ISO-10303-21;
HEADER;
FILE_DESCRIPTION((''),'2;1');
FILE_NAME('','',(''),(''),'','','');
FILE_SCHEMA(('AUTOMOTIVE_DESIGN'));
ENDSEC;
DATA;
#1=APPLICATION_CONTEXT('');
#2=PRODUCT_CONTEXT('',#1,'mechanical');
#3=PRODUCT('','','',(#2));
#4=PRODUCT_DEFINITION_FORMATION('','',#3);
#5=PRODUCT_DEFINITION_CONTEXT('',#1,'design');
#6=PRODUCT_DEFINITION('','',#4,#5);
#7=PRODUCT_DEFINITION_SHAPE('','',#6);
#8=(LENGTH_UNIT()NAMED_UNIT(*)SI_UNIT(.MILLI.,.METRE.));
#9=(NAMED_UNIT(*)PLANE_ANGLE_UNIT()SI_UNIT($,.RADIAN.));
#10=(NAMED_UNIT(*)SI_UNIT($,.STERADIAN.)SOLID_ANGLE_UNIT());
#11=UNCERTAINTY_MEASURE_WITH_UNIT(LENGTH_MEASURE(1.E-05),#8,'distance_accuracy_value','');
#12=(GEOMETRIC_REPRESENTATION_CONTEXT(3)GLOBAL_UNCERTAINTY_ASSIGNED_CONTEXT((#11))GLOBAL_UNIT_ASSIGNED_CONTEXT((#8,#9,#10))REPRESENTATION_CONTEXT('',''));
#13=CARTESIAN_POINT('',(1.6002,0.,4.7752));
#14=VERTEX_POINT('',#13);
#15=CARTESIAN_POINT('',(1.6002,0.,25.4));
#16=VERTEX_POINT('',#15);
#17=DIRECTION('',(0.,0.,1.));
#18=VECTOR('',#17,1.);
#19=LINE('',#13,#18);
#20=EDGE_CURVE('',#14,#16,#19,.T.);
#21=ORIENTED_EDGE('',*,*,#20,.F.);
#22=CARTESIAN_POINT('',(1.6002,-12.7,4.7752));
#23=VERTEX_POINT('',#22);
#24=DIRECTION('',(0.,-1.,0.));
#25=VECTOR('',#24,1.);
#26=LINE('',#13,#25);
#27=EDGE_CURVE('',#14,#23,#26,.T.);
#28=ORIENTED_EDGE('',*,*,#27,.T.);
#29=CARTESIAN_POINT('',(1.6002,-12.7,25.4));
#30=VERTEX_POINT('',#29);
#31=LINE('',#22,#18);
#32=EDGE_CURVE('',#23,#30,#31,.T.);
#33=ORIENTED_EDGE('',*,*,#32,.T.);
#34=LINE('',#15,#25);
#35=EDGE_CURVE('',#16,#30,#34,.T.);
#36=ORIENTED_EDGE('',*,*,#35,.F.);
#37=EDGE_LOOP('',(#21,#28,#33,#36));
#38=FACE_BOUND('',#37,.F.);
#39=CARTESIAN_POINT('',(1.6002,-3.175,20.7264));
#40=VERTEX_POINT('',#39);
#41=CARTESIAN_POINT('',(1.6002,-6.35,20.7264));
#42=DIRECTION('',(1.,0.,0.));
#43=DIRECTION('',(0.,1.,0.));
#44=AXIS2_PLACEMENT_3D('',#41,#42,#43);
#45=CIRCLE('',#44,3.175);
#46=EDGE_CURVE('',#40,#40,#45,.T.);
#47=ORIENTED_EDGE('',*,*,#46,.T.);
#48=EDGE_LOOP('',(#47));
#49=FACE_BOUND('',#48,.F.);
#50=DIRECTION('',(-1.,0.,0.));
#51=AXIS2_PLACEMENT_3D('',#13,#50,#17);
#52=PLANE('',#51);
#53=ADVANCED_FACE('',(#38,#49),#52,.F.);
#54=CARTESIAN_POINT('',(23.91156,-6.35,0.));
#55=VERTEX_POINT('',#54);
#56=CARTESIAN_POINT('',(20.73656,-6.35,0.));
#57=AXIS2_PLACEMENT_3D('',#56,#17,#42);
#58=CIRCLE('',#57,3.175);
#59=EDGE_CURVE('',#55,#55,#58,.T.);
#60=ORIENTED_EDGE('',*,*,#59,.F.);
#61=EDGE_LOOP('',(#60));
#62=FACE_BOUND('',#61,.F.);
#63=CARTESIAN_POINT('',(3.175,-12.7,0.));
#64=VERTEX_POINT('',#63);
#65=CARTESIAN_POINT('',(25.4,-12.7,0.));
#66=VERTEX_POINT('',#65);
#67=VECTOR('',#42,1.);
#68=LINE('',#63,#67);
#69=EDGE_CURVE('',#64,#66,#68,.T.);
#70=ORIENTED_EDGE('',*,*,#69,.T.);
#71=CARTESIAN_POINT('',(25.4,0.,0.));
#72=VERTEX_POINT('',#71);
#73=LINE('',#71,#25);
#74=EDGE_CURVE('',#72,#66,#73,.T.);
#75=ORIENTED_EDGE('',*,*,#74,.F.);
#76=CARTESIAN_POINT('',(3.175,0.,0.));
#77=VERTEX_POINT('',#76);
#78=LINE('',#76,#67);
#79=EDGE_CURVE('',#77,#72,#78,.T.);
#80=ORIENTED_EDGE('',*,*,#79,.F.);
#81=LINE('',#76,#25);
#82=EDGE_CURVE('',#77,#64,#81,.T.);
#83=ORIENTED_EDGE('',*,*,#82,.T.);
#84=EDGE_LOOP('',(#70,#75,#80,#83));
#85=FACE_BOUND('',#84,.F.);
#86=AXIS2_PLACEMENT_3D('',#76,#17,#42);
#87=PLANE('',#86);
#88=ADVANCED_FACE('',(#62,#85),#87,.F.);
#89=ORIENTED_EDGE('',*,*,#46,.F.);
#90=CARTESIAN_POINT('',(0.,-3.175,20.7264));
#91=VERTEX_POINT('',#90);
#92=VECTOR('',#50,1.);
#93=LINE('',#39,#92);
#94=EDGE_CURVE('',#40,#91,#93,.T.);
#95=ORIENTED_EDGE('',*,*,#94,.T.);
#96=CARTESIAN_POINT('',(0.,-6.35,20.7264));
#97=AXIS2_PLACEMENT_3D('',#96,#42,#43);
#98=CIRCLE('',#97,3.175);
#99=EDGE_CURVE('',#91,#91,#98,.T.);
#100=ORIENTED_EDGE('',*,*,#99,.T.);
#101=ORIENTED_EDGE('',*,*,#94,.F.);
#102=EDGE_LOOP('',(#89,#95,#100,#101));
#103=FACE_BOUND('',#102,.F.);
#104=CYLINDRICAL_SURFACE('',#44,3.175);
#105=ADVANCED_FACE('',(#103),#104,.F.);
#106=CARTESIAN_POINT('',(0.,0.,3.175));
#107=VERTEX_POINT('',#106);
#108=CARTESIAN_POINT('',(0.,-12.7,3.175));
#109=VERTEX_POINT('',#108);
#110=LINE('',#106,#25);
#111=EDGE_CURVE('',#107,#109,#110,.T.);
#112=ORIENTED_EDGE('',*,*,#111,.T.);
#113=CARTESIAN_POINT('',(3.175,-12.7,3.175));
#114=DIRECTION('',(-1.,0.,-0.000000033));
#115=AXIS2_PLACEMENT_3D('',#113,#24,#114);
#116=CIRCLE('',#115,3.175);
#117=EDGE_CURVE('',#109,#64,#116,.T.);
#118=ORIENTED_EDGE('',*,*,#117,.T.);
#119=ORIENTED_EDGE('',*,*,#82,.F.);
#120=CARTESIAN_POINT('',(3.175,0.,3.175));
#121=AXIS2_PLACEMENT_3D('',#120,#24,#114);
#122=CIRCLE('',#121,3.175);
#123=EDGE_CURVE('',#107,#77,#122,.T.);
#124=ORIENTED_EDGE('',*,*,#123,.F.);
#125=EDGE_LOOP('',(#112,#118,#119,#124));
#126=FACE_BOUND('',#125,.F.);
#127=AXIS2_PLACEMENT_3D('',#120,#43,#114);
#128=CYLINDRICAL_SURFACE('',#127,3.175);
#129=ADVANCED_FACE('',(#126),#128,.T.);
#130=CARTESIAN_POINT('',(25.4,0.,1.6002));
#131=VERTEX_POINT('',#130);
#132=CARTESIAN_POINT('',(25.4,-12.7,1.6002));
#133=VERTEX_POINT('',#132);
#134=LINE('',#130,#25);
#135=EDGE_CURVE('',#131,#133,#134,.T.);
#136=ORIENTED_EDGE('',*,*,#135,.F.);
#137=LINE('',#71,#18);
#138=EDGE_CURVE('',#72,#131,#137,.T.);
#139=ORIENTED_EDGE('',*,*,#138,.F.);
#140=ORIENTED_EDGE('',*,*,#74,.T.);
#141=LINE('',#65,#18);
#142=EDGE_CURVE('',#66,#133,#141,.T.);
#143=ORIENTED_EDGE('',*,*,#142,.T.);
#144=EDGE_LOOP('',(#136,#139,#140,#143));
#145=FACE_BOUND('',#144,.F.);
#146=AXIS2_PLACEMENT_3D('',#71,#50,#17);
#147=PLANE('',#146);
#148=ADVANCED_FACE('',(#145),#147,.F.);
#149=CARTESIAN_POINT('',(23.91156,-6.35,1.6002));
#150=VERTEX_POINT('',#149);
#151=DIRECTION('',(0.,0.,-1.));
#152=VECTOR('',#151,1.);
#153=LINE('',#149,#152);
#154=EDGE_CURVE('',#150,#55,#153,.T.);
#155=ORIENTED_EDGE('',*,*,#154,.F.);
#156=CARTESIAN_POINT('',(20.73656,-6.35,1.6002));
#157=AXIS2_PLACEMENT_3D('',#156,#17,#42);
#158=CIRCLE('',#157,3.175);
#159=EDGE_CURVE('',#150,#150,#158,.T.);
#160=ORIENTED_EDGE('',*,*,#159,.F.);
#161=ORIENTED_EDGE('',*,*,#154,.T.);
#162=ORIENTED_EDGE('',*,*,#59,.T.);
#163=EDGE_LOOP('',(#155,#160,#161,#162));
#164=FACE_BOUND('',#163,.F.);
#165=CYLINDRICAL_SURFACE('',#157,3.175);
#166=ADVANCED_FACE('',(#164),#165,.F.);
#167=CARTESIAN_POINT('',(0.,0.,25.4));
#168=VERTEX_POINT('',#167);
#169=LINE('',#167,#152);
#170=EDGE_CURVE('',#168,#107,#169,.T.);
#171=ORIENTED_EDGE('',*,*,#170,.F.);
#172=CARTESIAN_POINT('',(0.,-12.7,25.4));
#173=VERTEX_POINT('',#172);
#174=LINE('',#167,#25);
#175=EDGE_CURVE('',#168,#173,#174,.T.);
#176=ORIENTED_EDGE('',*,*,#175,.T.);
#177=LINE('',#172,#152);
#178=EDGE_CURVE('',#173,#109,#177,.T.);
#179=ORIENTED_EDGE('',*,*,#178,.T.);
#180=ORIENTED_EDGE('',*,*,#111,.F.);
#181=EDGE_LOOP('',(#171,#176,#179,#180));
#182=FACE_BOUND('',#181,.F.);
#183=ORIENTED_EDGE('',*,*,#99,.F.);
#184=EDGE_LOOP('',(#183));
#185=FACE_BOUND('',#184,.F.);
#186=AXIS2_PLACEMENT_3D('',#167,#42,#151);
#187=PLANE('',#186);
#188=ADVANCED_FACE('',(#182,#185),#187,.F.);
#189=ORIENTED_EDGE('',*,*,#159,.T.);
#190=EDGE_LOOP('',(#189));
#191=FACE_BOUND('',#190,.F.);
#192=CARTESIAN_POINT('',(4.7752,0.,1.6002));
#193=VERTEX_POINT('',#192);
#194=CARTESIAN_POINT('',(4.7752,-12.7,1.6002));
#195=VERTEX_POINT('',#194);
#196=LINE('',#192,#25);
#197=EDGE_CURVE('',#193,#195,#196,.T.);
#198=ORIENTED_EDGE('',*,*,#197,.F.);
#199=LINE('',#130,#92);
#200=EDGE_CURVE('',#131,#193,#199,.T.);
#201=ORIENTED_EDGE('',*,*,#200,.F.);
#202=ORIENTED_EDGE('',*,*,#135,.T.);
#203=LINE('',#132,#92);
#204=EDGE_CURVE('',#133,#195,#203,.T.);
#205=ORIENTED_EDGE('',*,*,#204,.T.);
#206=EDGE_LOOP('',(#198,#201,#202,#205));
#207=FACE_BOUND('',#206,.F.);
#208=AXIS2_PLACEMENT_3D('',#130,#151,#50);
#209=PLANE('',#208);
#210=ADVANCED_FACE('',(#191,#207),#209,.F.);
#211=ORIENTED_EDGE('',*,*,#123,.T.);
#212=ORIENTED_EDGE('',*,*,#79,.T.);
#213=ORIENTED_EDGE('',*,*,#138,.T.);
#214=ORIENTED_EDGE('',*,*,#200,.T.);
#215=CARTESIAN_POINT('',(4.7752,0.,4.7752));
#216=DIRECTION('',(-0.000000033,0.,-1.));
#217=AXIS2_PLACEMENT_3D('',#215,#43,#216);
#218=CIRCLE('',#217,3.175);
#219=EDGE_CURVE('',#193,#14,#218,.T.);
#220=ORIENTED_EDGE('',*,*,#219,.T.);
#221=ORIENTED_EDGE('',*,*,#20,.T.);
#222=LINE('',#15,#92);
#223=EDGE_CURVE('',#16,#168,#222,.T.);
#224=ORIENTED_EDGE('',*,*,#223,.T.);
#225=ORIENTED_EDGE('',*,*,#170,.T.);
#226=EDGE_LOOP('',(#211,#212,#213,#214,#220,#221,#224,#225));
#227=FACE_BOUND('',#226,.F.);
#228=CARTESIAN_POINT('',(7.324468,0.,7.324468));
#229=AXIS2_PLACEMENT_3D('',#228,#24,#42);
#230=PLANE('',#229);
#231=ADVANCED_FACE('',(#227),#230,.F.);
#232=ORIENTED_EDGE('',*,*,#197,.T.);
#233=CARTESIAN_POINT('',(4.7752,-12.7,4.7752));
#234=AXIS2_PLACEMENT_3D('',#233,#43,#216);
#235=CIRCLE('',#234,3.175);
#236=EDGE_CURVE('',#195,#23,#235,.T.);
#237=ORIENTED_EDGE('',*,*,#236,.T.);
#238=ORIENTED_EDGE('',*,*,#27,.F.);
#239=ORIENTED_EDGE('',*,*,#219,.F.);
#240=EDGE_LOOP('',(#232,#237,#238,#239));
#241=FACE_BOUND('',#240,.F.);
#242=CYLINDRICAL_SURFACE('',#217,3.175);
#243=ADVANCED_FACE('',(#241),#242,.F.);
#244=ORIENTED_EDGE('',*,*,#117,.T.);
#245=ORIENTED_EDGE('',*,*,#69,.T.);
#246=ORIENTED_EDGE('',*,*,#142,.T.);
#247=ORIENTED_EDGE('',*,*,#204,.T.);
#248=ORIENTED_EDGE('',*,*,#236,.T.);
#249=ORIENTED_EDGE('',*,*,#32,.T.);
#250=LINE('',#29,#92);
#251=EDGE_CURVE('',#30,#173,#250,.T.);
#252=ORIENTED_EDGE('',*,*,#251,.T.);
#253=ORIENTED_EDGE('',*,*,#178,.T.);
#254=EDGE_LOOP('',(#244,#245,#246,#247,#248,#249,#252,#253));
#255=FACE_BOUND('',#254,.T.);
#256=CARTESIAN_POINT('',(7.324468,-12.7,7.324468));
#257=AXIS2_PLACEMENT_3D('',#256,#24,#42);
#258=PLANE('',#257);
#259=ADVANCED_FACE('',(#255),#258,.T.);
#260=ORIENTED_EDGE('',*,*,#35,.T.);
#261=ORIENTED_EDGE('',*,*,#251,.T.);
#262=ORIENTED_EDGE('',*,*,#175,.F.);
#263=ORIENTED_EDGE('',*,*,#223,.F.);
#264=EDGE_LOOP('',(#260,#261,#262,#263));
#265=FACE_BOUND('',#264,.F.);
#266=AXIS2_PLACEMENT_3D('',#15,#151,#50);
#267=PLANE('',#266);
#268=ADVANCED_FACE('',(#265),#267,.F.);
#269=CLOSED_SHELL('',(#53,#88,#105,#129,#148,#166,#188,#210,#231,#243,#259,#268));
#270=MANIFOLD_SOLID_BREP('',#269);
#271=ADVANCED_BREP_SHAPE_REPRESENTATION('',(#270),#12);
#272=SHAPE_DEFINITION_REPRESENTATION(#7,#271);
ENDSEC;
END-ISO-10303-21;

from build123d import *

# Parameters (mm, degrees)
F1_DEPTH = 12.7
F2_R     = 3.175
F3_DEPTH = 25.4
F4_R     = 3.175
F5_DEPTH = 25.4


with BuildPart() as f1:
    # F0 (on Front) → F1 (new body)
    with BuildSketch(Plane.XZ):
        with BuildLine():
            Line((0, 25.4), (0, 3.175))
            ThreePointArc((0, 3.175), (0.929936, 0.929936), (3.175, 0))
            Line((3.175, 0), (25.4, 0))
            Line((25.4, 0), (25.4, 1.6002))
            Line((25.4, 1.6002), (4.7752, 1.6002))
            ThreePointArc((4.7752, 1.6002), (2.530136, 2.530136), (1.6002, 4.7752))
            Line((1.6002, 4.7752), (1.6002, 25.4))
            Line((1.6002, 25.4), (0, 25.4))
        make_face()
    extrude(amount=F1_DEPTH)

    # F2 (on face) → F3 (cut)
    with BuildSketch(Plane.XY.offset(1.6002)):
        with Locations((20.73656, -6.35)):
            Circle(F2_R)
    extrude(amount=-F3_DEPTH, mode=Mode.SUBTRACT)

    # F4 (on face) → F5 (cut)
    with BuildSketch(Plane.YZ.offset(1.6002)):
        with Locations((-6.35, 20.7264)):
            Circle(F4_R)
    extrude(amount=-F5_DEPTH, mode=Mode.SUBTRACT)


solid = f1.part
